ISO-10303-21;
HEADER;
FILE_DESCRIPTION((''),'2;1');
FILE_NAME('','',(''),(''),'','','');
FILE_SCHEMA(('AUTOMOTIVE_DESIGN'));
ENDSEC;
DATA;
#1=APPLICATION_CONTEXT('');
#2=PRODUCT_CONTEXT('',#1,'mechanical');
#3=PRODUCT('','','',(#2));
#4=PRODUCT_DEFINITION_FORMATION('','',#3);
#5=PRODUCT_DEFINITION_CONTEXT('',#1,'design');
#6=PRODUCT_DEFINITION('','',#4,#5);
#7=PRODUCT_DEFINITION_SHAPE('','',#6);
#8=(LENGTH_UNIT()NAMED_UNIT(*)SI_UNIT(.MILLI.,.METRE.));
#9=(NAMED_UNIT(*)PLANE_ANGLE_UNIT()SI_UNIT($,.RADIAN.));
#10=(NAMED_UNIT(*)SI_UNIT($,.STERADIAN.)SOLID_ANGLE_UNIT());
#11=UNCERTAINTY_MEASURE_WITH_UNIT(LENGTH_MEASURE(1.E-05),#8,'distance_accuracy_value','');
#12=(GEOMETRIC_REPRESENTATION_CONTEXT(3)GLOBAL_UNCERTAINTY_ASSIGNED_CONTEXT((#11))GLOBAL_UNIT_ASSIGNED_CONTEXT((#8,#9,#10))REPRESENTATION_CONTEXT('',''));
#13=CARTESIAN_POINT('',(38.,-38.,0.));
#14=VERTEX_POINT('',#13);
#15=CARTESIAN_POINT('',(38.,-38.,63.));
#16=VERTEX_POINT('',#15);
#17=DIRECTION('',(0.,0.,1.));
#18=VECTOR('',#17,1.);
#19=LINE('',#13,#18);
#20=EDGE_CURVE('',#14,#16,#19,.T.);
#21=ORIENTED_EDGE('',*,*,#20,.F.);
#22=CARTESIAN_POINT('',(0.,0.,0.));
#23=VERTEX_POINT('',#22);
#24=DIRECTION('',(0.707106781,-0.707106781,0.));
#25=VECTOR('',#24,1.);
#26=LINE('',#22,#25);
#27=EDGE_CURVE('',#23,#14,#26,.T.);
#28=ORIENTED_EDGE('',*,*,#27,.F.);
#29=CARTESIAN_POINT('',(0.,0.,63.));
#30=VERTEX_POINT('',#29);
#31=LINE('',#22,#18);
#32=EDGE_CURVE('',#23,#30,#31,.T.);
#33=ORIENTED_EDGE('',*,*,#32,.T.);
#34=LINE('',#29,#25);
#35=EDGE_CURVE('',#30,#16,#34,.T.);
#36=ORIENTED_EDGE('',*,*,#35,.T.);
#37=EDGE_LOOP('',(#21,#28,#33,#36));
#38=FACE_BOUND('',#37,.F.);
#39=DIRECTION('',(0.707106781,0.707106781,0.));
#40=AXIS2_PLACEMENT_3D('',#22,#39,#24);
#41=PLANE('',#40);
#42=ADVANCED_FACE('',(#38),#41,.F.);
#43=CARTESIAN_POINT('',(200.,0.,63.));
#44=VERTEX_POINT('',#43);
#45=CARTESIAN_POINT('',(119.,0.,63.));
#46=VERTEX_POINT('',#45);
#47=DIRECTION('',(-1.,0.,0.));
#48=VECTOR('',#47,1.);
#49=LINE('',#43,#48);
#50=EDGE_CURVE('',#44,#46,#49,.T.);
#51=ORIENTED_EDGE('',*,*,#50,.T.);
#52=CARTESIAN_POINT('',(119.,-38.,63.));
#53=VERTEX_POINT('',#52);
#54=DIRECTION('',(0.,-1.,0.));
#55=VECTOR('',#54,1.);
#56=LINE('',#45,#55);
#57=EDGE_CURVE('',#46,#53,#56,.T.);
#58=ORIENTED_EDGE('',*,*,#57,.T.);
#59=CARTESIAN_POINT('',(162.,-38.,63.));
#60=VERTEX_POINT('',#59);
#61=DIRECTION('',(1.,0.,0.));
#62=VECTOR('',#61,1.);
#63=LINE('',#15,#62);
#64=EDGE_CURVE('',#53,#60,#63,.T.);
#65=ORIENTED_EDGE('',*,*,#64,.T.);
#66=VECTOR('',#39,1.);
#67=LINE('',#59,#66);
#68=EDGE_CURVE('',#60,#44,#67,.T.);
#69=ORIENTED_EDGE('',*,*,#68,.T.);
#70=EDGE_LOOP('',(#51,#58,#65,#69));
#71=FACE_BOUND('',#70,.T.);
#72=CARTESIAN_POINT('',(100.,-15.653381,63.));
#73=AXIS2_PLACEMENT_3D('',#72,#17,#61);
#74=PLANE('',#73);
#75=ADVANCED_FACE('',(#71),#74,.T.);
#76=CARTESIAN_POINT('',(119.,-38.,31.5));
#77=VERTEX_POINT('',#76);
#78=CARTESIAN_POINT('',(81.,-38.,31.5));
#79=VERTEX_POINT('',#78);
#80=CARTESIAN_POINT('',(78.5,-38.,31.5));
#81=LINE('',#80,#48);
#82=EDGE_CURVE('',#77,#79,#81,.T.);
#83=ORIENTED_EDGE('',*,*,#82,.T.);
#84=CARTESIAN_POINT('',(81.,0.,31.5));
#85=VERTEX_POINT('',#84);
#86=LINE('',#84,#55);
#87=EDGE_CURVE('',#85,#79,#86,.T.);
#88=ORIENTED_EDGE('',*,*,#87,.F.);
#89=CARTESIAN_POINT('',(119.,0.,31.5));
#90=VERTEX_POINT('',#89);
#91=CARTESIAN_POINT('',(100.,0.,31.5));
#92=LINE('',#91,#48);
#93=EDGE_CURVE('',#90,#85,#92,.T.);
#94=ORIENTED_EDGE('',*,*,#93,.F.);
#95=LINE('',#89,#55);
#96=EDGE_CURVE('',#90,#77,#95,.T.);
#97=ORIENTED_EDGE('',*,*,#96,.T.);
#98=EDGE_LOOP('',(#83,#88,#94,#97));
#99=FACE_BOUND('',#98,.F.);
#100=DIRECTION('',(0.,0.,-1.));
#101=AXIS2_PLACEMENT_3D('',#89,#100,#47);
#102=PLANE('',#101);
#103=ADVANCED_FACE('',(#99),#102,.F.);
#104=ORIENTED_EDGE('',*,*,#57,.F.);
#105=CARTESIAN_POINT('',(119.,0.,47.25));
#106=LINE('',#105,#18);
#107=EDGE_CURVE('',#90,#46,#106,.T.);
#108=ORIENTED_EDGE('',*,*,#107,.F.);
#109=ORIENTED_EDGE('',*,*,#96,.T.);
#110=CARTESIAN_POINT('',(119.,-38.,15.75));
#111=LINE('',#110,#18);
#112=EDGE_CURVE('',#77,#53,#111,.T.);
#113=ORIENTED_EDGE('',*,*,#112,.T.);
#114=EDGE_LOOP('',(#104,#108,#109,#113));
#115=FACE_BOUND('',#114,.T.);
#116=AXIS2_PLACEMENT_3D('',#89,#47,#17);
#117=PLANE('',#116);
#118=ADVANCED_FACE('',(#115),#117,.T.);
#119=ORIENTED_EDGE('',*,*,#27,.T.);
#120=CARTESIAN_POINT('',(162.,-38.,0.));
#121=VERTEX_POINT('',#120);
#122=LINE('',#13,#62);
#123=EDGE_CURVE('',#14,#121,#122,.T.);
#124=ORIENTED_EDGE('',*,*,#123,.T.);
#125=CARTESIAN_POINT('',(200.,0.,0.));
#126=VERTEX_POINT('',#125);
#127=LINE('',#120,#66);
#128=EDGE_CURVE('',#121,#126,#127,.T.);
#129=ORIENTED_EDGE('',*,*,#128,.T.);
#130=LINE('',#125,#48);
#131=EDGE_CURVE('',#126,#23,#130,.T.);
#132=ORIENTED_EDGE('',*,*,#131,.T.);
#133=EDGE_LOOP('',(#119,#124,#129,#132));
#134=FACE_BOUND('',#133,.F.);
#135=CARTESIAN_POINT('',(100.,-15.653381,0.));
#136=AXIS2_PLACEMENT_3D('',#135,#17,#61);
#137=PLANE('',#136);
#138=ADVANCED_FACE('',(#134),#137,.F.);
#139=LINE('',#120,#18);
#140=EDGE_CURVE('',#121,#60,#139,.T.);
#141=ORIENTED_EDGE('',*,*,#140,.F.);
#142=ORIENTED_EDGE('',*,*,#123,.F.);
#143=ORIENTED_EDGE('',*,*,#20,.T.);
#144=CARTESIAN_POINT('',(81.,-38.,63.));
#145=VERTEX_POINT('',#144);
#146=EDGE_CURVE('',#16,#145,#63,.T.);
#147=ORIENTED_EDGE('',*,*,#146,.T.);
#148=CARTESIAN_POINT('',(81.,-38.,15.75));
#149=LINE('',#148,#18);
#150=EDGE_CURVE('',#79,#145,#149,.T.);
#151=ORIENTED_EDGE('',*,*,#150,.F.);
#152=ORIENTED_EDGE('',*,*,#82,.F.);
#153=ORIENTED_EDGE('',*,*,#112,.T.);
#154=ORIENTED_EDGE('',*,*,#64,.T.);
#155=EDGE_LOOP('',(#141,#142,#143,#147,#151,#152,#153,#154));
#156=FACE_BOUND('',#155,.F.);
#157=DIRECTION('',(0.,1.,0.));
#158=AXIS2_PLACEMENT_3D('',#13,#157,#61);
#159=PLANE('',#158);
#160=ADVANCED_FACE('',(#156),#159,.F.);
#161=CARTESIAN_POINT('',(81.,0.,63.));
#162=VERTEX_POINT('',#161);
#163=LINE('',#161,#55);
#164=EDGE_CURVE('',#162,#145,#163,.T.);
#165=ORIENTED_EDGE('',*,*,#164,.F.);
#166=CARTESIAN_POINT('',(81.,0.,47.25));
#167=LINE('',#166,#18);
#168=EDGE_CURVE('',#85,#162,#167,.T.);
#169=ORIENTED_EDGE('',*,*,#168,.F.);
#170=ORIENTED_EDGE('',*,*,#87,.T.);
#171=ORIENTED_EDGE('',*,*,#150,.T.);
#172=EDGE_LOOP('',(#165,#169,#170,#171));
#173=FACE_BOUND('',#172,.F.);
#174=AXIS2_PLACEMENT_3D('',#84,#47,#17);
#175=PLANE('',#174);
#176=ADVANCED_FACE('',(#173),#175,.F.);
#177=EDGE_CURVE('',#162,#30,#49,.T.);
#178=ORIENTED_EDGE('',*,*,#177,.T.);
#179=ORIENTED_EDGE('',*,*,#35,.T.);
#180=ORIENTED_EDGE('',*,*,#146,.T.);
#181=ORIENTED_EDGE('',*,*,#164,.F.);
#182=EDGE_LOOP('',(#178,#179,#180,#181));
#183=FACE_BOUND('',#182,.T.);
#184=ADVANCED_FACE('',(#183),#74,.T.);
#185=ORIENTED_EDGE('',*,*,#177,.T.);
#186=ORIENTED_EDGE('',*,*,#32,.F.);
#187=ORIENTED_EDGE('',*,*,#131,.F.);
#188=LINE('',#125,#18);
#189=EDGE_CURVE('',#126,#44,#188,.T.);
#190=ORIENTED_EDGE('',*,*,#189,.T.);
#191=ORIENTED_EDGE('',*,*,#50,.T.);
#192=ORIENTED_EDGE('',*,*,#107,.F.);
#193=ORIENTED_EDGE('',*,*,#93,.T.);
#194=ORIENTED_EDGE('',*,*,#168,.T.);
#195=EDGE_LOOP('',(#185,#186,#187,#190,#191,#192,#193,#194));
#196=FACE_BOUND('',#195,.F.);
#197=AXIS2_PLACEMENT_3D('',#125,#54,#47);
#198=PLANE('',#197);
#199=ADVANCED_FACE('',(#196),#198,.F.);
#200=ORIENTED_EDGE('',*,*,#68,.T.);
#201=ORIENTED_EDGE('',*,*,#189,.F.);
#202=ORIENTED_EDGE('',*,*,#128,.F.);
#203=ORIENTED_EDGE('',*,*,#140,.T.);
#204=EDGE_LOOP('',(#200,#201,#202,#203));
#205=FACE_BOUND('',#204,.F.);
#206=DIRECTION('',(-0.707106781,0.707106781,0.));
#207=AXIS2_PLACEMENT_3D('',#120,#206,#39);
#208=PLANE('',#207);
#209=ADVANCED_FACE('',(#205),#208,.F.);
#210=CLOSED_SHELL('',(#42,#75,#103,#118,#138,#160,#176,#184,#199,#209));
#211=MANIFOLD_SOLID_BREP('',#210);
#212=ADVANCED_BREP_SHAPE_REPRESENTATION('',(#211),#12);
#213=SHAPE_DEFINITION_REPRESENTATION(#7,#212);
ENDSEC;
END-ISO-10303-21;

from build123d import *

# Parameters (mm, degrees)
F1_DEPTH = 63
F2_W     = 38
F2_H     = 31.5
F3_DEPTH = 38.001


with BuildPart() as f1:
    # F0 (on Top) → F1 (new body)
    with BuildSketch(Plane.XY):
        Polygon((200, 0), (0, 0), (38, -38), (162, -38), align=None)
    extrude(amount=F1_DEPTH)

    # F2 (on face) → F3 (cut, through all)
    with BuildSketch(Plane(origin=(0, 0, 0), x_dir=(-1, 0, 0), z_dir=(0, 1, 0))):
        with Locations((-100, 47.25)):
            Rectangle(F2_W, F2_H)
    extrude(amount=-F3_DEPTH, mode=Mode.SUBTRACT)


solid = f1.part
